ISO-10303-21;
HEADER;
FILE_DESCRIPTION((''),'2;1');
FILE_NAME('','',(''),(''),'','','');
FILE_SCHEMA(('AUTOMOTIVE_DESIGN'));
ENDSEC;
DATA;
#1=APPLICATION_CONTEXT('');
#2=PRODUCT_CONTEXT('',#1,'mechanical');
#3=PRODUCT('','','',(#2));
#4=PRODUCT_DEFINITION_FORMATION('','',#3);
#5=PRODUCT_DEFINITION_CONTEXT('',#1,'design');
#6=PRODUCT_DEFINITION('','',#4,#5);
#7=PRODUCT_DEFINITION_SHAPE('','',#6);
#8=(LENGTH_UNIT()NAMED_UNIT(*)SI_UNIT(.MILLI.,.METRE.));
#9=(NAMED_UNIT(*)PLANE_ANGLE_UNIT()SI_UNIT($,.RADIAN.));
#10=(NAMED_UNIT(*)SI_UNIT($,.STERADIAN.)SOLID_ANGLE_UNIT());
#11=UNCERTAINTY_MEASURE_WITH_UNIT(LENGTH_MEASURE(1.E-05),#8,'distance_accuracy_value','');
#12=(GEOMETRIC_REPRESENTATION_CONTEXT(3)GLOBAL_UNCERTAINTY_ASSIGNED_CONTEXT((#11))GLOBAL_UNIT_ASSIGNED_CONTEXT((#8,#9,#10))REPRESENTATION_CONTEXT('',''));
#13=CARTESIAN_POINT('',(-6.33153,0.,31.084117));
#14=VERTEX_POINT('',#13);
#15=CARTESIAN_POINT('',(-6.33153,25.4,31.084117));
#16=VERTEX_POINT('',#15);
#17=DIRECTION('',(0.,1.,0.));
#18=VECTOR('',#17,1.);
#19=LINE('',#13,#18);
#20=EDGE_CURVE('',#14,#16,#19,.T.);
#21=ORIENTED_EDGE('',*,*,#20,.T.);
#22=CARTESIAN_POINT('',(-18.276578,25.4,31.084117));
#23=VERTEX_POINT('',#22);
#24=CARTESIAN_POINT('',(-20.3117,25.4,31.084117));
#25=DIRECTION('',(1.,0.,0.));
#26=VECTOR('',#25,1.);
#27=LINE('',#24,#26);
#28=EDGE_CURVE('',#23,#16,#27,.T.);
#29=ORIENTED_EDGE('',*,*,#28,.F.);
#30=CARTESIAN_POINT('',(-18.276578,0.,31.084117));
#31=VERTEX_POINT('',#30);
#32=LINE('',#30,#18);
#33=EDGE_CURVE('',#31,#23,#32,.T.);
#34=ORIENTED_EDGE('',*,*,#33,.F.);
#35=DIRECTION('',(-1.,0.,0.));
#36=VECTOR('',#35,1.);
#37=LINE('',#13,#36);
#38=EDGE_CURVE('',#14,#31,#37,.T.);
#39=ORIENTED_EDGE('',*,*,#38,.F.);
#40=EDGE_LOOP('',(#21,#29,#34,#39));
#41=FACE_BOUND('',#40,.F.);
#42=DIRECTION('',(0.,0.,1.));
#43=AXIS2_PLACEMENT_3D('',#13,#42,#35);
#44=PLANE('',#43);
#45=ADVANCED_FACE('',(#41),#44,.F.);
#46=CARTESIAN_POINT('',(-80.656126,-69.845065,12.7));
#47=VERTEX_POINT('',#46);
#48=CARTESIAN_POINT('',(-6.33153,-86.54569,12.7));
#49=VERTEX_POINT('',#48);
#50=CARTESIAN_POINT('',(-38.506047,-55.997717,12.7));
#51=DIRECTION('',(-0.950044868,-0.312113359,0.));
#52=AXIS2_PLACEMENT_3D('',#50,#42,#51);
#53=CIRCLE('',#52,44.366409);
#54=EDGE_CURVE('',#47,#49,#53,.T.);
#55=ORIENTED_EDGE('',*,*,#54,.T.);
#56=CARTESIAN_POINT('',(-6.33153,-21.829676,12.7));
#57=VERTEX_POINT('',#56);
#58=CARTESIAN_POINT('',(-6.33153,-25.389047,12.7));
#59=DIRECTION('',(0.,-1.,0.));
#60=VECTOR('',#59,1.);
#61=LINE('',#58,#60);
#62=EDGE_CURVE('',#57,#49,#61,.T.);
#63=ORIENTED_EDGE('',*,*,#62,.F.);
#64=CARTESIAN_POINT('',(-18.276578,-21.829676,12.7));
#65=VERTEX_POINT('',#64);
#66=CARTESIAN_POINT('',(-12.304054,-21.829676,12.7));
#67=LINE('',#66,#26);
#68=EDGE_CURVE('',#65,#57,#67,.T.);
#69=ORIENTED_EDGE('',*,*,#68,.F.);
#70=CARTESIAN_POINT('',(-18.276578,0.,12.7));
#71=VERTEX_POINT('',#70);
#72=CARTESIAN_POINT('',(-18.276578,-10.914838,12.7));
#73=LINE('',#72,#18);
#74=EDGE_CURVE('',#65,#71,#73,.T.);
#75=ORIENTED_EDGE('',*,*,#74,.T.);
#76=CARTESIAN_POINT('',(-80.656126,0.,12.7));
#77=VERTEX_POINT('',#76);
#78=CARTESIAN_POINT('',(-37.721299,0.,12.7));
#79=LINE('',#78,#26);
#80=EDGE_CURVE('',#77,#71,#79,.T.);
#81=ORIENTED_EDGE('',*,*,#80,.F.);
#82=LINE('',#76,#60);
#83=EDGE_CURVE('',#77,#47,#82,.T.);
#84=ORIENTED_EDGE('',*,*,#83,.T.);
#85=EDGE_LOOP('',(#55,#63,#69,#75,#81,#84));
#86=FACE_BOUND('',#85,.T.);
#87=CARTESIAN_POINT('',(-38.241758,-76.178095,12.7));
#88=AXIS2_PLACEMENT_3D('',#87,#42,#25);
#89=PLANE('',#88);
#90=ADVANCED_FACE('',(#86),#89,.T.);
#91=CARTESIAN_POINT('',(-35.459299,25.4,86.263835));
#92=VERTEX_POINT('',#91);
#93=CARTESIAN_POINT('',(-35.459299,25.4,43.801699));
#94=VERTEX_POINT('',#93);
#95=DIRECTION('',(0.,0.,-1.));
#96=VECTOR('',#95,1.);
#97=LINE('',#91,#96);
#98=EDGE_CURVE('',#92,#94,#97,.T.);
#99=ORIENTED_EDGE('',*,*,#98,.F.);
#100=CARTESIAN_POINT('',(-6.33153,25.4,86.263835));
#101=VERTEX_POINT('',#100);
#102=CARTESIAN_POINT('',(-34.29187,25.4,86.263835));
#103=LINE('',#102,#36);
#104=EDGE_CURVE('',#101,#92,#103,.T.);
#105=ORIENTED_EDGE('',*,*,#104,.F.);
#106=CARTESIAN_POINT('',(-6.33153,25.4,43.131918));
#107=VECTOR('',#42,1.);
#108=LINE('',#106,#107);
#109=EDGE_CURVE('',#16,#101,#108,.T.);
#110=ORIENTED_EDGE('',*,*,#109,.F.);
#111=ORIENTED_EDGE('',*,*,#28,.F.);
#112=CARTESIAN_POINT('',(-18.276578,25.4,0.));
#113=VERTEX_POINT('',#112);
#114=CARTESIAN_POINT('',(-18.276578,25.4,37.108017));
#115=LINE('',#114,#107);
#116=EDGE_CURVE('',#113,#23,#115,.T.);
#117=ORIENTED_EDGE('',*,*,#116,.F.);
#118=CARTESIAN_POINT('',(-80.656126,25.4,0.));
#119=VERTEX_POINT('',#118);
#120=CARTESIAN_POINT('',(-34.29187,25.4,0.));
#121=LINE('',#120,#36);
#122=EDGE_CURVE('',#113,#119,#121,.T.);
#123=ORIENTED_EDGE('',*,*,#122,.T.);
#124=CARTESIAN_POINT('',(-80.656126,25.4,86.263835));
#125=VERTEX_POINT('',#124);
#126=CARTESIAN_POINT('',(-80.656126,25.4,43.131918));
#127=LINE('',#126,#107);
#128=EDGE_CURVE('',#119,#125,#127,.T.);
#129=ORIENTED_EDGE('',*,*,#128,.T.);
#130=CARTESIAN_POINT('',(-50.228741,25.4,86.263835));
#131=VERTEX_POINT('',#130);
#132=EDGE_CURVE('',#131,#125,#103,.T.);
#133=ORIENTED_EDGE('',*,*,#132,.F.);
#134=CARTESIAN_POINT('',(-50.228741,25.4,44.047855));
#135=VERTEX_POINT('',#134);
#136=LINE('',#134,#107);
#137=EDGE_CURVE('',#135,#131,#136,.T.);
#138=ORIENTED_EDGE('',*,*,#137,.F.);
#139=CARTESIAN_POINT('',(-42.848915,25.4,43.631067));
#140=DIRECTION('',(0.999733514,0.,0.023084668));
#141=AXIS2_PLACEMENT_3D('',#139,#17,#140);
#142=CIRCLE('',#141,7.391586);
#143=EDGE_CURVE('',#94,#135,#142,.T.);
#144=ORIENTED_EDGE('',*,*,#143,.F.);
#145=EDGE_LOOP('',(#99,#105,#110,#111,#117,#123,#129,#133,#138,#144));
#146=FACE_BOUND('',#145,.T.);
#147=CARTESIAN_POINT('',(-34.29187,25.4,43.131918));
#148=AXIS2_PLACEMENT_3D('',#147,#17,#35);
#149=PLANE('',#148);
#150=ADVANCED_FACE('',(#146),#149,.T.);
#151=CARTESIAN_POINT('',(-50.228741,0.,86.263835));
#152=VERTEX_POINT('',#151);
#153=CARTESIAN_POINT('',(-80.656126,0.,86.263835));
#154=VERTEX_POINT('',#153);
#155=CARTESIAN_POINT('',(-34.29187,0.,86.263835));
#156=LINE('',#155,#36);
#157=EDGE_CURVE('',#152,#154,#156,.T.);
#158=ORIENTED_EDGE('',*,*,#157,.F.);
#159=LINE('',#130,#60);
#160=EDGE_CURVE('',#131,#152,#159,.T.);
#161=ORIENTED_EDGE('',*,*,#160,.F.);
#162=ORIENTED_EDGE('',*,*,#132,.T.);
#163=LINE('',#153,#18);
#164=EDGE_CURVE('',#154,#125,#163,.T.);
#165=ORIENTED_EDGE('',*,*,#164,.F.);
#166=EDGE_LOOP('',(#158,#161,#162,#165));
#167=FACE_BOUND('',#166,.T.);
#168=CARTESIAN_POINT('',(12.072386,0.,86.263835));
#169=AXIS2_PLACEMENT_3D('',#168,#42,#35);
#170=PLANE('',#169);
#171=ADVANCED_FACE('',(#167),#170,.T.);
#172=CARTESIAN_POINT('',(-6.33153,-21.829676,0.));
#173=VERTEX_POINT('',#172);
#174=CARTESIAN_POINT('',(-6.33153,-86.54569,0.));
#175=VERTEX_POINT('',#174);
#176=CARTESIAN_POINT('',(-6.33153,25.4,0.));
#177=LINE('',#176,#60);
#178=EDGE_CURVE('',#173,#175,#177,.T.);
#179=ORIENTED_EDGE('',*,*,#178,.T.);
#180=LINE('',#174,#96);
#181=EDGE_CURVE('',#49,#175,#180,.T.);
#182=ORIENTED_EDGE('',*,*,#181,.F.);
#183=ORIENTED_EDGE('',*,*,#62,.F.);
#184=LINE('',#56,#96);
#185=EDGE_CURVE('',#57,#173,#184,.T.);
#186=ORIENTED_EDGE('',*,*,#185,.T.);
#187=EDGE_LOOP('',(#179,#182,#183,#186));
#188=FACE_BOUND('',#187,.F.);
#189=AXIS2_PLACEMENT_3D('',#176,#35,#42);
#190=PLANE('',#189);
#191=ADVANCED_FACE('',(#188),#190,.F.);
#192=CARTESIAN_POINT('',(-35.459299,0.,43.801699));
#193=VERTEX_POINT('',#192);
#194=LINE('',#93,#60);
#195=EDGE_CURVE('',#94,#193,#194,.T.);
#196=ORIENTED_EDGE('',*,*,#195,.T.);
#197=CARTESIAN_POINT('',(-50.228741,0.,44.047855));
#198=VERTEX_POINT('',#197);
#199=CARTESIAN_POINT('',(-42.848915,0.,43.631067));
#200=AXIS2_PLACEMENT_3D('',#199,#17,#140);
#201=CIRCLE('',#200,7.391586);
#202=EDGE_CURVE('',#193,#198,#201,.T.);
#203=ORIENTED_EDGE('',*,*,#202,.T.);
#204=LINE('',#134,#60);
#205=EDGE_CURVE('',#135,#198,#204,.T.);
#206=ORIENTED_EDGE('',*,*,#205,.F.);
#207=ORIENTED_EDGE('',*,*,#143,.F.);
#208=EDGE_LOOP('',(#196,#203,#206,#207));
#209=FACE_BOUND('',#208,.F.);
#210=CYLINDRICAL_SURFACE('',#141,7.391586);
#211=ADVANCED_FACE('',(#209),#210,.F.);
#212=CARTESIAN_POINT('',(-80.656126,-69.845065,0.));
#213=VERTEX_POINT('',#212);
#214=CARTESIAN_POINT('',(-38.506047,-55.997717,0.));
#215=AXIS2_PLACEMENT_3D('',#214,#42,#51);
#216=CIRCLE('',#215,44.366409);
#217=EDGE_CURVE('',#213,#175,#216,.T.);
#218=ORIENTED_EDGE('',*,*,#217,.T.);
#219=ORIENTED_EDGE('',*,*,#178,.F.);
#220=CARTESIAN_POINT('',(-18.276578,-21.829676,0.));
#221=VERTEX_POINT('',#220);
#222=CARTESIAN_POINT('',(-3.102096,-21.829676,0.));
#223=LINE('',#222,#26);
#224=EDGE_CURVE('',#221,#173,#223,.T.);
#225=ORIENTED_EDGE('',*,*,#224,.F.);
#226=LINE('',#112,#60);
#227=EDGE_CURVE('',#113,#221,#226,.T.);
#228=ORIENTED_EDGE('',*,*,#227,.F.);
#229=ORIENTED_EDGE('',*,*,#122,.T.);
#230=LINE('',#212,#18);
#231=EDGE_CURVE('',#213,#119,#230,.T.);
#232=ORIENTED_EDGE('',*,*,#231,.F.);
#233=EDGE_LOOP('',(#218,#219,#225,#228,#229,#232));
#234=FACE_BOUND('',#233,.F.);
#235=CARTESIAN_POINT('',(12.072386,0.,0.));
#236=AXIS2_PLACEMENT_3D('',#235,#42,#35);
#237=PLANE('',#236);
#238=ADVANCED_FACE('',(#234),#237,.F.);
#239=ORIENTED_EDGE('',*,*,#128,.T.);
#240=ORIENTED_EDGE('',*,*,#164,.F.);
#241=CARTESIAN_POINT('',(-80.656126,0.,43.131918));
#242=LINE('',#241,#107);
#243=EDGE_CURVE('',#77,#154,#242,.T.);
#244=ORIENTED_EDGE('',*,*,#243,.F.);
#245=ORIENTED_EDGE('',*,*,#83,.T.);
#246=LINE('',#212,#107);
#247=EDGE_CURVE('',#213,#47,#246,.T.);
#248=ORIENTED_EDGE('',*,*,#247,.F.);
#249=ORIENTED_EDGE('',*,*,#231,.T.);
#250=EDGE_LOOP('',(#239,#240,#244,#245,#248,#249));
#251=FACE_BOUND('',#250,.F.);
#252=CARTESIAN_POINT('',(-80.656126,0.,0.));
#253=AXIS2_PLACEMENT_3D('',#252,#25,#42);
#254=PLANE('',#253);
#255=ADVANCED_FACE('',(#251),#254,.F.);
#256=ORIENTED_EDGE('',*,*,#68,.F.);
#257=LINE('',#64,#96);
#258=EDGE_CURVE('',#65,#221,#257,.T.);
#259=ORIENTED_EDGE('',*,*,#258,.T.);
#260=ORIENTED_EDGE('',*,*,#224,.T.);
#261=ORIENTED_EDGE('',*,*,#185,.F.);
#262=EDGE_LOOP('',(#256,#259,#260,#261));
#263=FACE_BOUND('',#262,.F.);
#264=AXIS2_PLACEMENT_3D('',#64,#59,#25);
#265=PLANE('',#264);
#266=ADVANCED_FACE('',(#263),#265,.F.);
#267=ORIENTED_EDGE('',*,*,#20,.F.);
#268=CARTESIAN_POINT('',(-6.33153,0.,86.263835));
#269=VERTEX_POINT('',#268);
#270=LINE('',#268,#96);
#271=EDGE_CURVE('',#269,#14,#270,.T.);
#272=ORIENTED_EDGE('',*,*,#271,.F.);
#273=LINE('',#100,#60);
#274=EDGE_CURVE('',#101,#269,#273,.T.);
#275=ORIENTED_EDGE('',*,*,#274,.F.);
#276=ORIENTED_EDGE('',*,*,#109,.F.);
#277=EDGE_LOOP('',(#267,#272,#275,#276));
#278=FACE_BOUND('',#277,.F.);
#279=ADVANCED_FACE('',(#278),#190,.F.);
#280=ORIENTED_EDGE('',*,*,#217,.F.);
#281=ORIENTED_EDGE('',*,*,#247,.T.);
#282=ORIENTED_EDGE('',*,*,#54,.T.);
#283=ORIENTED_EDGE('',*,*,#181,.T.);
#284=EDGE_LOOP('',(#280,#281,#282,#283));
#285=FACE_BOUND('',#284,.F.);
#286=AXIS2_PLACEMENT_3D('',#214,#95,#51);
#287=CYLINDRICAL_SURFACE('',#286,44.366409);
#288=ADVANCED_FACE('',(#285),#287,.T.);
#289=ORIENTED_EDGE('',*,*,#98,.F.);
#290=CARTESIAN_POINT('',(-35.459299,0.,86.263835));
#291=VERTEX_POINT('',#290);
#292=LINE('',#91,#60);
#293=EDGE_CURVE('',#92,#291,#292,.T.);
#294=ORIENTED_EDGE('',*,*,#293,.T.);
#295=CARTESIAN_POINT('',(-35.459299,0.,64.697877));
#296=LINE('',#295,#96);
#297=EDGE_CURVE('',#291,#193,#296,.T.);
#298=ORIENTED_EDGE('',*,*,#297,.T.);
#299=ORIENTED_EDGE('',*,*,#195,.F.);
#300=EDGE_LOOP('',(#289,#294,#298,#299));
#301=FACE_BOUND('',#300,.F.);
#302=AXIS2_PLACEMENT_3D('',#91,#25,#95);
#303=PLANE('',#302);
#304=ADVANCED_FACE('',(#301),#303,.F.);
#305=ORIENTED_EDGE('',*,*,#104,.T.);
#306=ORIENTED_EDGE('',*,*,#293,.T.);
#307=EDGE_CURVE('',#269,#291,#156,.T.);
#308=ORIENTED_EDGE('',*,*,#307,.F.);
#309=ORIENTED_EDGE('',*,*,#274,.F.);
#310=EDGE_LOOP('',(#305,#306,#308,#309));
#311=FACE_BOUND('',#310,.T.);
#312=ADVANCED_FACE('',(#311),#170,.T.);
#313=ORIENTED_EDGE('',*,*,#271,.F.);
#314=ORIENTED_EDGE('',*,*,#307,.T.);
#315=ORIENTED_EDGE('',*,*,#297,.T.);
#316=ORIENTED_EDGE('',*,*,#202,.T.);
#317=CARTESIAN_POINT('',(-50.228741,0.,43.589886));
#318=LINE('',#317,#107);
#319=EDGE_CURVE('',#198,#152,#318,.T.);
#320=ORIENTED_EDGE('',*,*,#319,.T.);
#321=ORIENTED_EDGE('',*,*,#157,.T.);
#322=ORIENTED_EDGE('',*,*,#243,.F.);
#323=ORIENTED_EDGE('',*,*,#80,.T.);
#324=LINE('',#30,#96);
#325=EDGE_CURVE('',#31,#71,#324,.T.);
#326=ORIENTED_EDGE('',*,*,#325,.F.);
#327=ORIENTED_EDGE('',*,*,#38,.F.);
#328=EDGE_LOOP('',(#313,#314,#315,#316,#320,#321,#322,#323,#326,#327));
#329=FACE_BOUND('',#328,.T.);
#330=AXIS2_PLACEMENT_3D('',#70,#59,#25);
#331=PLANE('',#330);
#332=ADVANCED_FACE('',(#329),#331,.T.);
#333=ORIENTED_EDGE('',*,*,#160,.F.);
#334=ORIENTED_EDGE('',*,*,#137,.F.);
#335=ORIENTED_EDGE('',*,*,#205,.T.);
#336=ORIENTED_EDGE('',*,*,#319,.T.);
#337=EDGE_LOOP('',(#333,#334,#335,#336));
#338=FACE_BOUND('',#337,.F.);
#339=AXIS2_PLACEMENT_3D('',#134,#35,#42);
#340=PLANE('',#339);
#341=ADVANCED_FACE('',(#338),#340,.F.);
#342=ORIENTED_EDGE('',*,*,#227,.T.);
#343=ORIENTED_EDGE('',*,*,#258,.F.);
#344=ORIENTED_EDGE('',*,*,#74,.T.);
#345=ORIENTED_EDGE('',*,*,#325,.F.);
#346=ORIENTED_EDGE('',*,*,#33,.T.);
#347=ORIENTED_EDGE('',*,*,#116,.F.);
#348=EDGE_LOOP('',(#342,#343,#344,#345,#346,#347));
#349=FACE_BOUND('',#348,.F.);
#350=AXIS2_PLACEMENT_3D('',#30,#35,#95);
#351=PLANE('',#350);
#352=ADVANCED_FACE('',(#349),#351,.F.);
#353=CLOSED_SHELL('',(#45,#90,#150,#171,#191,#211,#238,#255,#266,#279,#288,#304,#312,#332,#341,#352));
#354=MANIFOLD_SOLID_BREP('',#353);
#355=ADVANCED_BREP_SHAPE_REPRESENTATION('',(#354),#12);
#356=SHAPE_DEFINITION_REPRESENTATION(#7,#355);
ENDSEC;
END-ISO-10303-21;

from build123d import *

# Parameters (mm, degrees)
F0_W      = 85.8696545474
F0_H      = 63.5460242629
F1_DEPTH  = 12.7
F2_W      = 92.7285123616
F2_H      = 86.2638354301
F3_DEPTH  = 25.4
F4_W      = 18.4039166197
F4_H      = 86.2638354301
F5_DEPTH  = 125.7651254213
F7_DEPTH  = 125.7651254213
F8_W      = 11.9450474158
F8_H      = 21.8296758831
F9_DEPTH  = 12.701
F11_DEPTH = 25.401


with BuildPart() as f1:
    # F0 (on Top) → F1 (new body)
    with BuildSketch(Plane.XY):
        with BuildLine():
            Line((-80.6561261415, -63.5460242629), (-80.6561261415, -69.8450654745))
            ThreePointArc((-80.6561261415, -69.8450654745), (-35.2602329122, -100.2452354213), (5.2135284059, -63.5460242629))
            Line((5.2135284059, -63.5460242629), (-80.6561261415, -63.5460242629))
        make_face()
        with Locations((-37.7212988678, -31.7730121315)):
            Rectangle(F0_W, F0_H)
    extrude(amount=F1_DEPTH)

    # F2 (on face) → F3 (join)
    with BuildSketch(Plane(origin=(0, 0, 0), x_dir=(-1, 0, 0), z_dir=(0, 1, 0))):
        with Locations((34.2918699607, 43.1319177151)):
            Rectangle(F2_W, F2_H)
    extrude(amount=F3_DEPTH)

    # F4 (on face) → F5 (cut, through all)
    with BuildSketch(Plane(origin=(0, 25.4, 0), x_dir=(-1, 0, 0), z_dir=(0, 1, 0))):
        with Locations((-2.8704279102, 43.1319177151)):
            Rectangle(F4_W, F4_H)
    extrude(amount=-F5_DEPTH, mode=Mode.SUBTRACT)

    # F6 (on face) → F7 (cut, through all)
    with BuildSketch(Plane(origin=(0, 25.4, 0), x_dir=(-1, 0, 0), z_dir=(0, 1, 0))):
        with BuildLine():
            Line((35.4592986405, 86.2638354301), (35.4592986405, 43.8016988337))
            ThreePointArc((35.4592986405, 43.8016988337), (42.9720902866, 36.2405068141), (50.22874102, 44.0478548408))
            Line((50.22874102, 44.0478548408), (49.4902729988, 86.2638354301))
            Line((49.4902729988, 86.2638354301), (35.4592986405, 86.2638354301))
        make_face()
        Polygon((49.4902729988, 86.2638354301), (50.22874102, 44.0478548408), (50.22874102, 86.2638354301), align=None)
    extrude(amount=-F7_DEPTH, mode=Mode.SUBTRACT)

    # F8 (on face) → F9 (cut, through all)
    with BuildSketch(Plane.XY.offset(12.7)):
        with Locations((-12.3040541075, -10.9148379415)):
            Rectangle(F8_W, F8_H)
    extrude(amount=-F9_DEPTH, mode=Mode.SUBTRACT)

    # F10 (on face) → F11 (cut, through all)
    with BuildSketch(Plane.XZ):
        Polygon((-18.2765778154, 31.0841165483), (-18.2765778154, 12.7), (-18.2765778154, 0), (-6.3315303996, 0), (-6.3315303996, 31.0841165483), align=None)
    extrude(amount=-F11_DEPTH, mode=Mode.SUBTRACT)


solid = f1.part
